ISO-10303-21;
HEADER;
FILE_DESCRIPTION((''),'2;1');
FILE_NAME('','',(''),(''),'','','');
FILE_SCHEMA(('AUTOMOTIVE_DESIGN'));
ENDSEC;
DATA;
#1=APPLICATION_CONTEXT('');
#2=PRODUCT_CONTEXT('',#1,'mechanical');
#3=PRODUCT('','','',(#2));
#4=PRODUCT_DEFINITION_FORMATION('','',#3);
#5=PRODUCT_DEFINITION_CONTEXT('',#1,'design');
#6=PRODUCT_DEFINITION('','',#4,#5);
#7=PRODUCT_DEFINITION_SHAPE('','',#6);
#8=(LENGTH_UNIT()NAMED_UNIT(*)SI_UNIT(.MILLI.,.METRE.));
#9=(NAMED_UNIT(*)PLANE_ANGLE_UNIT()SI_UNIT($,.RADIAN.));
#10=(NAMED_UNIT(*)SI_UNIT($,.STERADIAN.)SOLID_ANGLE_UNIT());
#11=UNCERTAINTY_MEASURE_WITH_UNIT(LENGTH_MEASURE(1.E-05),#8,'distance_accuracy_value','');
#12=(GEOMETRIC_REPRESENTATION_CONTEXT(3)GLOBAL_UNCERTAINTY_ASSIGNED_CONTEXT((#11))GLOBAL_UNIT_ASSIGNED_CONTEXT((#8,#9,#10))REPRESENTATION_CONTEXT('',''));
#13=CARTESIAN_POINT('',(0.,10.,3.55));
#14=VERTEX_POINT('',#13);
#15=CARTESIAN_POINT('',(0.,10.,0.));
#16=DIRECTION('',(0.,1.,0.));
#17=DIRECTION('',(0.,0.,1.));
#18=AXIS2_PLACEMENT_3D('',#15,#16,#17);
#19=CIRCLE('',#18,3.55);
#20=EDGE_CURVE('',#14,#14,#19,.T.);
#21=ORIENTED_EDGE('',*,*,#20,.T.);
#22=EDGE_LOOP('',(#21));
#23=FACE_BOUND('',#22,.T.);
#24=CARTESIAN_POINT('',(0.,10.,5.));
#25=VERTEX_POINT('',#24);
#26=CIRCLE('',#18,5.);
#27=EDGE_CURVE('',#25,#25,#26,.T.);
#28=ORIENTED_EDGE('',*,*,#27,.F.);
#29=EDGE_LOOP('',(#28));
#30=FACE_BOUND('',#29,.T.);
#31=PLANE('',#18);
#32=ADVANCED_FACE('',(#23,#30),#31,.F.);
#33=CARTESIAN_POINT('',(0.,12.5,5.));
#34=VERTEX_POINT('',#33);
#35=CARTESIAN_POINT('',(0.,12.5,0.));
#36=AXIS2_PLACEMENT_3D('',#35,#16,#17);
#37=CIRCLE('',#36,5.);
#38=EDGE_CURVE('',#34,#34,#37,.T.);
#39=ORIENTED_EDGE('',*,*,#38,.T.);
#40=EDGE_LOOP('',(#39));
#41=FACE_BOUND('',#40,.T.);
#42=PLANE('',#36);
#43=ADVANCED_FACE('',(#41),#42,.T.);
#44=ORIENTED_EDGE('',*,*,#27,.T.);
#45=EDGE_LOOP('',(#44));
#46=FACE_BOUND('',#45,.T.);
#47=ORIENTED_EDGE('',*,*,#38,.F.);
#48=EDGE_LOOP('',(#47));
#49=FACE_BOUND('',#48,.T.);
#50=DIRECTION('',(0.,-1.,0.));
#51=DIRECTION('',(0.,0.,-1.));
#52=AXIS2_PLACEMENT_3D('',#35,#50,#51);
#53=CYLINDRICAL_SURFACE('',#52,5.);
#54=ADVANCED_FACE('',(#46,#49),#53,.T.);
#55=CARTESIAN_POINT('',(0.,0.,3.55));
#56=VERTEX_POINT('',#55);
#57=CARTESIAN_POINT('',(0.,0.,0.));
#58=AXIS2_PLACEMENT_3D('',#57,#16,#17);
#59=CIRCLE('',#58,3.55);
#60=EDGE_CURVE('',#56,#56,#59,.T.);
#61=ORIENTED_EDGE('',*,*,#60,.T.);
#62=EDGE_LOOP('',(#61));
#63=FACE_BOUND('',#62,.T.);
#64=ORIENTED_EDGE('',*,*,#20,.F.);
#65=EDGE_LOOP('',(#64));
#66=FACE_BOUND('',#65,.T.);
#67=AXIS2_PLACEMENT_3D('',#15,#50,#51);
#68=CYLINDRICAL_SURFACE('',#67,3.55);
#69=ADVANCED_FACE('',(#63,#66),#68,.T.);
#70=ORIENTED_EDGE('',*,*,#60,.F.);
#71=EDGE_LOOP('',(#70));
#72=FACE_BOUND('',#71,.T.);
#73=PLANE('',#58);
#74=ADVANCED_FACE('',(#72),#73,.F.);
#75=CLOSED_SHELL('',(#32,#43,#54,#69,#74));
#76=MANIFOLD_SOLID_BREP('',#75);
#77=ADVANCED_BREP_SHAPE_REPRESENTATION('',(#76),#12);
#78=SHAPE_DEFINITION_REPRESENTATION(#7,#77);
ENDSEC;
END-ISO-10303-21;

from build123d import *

# Parameters (mm, degrees)
SKETCH1_R           = 3.55
BOSS_EXTRUDE1_DEPTH = 10
SKETCH2_R           = 5
BOSS_EXTRUDE2_DEPTH = 2.5


with BuildPart() as part:
    # Sketch1 → Boss-Extrude1 (new body)
    with BuildSketch(Plane(origin=(0, 0, 0), x_dir=(1, 0, 0), z_dir=(0, 1, 0))):
        Circle(SKETCH1_R)
    extrude(amount=BOSS_EXTRUDE1_DEPTH)

    # Sketch2 → Boss-Extrude2 (add)
    with BuildSketch(Plane(origin=(0, 10, 0), x_dir=(1, 0, 0), z_dir=(0, 1, 0))):
        Circle(SKETCH2_R)
    extrude(amount=BOSS_EXTRUDE2_DEPTH)


solid = part.part
